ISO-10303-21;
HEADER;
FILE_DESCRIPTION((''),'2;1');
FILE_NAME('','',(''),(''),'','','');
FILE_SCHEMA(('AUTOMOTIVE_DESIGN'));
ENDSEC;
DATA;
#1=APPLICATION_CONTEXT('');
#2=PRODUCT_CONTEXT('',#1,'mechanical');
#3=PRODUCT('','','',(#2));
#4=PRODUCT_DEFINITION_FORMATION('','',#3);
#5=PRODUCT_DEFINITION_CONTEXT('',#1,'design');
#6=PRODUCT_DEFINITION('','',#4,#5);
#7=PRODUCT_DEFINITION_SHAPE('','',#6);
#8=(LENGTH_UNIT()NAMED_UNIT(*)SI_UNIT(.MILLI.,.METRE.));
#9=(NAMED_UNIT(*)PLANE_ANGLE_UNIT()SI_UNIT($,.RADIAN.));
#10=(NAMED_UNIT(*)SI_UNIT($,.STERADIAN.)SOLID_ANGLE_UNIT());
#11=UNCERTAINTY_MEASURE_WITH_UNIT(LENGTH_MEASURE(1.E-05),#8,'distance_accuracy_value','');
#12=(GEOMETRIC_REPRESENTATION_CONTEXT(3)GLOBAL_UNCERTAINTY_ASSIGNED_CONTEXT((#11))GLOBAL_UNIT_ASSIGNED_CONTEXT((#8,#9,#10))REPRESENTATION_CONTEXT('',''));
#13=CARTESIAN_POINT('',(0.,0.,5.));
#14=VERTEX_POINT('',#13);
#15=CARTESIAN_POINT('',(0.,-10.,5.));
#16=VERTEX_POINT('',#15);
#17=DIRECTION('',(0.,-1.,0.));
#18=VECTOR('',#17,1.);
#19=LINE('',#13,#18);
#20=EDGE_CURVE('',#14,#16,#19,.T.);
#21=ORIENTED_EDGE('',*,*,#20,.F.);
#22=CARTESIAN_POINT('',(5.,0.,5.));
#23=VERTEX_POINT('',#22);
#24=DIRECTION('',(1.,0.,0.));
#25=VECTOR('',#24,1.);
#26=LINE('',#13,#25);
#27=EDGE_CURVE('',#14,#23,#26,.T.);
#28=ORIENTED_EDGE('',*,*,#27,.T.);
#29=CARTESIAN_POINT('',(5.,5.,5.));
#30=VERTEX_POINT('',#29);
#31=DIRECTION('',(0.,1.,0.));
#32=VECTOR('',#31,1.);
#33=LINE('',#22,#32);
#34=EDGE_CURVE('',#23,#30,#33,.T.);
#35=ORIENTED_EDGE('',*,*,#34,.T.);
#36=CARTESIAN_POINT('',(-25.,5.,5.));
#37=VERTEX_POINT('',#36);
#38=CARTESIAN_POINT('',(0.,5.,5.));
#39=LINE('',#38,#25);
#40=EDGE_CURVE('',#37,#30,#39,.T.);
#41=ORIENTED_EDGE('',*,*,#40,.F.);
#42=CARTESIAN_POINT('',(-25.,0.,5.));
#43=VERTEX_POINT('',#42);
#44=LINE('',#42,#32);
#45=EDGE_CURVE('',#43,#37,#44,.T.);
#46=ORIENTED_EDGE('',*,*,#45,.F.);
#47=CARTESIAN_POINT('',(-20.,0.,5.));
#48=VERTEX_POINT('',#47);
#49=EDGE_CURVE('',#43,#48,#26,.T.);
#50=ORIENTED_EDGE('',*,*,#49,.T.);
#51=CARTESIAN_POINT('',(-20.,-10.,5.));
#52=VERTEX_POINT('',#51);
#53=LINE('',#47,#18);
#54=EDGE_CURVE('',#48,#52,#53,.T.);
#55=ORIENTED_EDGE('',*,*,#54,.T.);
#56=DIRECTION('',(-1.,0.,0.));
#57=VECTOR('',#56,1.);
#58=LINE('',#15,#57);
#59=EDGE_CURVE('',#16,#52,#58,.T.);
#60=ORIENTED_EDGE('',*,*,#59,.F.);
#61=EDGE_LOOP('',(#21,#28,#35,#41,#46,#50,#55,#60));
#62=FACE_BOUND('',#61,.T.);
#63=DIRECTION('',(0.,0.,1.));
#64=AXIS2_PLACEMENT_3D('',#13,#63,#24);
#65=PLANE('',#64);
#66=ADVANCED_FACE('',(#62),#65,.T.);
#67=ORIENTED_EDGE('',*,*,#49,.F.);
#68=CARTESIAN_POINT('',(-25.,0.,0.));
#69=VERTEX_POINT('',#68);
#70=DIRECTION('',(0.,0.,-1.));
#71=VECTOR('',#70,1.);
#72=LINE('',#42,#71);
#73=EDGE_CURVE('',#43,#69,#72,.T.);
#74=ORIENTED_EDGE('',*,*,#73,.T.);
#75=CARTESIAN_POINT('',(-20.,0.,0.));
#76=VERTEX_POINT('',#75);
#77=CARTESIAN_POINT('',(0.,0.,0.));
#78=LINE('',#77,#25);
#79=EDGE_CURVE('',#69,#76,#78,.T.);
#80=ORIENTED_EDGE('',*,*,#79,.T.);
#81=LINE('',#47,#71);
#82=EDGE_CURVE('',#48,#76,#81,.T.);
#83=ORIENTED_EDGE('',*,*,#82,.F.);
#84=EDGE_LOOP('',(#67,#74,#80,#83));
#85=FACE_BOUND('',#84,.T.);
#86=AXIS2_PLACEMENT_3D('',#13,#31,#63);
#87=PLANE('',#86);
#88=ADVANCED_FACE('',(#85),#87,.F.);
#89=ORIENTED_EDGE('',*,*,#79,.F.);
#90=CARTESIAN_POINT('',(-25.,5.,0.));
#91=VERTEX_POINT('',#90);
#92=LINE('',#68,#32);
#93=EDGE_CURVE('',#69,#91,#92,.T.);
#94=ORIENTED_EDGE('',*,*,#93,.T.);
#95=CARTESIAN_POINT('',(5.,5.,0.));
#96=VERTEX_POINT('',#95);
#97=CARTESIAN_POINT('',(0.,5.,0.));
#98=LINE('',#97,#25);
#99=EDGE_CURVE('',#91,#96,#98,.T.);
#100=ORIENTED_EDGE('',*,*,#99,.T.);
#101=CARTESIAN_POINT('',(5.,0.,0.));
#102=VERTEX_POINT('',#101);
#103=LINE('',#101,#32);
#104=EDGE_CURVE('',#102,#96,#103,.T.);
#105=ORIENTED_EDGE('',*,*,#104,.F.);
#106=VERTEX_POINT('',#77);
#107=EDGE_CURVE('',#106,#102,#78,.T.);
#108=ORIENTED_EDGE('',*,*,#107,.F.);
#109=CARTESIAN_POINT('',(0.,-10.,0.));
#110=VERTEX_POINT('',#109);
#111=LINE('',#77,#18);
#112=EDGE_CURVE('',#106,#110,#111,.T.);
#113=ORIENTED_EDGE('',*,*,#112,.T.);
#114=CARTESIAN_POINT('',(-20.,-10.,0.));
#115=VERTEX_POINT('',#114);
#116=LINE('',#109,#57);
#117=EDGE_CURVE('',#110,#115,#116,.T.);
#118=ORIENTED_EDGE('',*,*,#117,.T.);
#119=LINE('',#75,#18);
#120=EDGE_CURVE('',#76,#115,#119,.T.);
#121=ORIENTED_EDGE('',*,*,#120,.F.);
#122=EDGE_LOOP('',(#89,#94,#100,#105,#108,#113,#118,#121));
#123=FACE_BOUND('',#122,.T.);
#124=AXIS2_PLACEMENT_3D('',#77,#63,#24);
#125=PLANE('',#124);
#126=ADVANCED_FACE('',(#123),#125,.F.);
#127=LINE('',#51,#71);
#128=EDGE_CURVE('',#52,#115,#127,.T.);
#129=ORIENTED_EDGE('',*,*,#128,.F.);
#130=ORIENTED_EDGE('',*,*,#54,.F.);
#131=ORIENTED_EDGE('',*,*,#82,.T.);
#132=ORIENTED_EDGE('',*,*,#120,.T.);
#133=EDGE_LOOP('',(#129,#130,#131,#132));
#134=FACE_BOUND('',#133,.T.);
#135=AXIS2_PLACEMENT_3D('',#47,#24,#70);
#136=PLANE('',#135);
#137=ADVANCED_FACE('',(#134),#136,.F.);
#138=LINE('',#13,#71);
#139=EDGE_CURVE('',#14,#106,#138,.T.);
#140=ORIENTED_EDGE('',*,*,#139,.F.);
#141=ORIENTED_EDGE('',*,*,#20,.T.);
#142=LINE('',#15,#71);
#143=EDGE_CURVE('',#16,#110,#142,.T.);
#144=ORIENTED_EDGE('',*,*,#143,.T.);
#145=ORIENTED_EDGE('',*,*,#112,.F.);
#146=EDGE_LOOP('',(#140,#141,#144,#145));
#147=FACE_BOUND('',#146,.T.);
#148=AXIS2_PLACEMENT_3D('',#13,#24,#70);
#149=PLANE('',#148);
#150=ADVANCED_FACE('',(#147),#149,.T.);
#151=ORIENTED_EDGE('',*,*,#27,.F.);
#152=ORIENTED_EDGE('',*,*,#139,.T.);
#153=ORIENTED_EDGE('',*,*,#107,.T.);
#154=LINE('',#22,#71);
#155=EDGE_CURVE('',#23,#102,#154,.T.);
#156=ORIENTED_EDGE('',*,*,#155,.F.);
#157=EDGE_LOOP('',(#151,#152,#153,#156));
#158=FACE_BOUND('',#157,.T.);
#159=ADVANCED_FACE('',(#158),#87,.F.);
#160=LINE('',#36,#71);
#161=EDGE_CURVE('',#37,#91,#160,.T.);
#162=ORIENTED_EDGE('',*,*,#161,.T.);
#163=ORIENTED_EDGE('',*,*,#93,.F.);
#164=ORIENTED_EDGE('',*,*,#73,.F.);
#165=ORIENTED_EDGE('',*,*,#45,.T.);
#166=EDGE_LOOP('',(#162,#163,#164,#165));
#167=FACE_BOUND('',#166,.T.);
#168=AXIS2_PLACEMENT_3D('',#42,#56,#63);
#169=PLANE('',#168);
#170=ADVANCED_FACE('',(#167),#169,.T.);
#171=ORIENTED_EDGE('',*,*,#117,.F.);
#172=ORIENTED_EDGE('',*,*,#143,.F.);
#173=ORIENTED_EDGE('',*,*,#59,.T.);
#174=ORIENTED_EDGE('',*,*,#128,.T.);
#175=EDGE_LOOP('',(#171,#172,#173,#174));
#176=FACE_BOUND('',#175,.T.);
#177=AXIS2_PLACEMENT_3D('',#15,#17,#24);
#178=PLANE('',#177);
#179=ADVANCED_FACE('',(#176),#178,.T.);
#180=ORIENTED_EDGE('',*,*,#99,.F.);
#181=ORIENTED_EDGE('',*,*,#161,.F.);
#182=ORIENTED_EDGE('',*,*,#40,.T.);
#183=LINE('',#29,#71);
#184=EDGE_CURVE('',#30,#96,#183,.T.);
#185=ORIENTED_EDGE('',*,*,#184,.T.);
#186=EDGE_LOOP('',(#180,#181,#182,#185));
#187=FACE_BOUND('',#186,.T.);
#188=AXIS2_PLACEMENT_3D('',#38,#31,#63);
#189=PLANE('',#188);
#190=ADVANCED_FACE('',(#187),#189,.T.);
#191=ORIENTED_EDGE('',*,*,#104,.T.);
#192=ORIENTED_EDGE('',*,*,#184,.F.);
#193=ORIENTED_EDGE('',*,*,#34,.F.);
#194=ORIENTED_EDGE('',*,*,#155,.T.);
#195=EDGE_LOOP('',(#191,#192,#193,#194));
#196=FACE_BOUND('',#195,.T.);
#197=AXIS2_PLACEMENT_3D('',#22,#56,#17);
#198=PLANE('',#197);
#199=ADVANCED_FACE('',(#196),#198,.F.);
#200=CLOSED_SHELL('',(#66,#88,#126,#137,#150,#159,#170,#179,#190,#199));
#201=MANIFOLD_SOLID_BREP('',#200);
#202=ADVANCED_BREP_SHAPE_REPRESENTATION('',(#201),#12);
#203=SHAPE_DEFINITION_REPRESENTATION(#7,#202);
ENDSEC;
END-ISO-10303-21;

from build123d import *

# Parameters (mm, degrees)
SKETCH1_W           = 20
SKETCH1_H           = 10
BOSS_EXTRUDE1_DEPTH = 5


with BuildPart() as part:
    # Sketch1 → Boss-Extrude1 (new body)
    with BuildSketch(Plane.XY):
        with Locations((-10, -5)):
            Rectangle(SKETCH1_W, SKETCH1_H)
        Polygon((-20, 0), (0, 0), (5, 0), (5, 5), (-25, 5), (-25, 0), align=None)
    extrude(amount=BOSS_EXTRUDE1_DEPTH)


solid = part.part
